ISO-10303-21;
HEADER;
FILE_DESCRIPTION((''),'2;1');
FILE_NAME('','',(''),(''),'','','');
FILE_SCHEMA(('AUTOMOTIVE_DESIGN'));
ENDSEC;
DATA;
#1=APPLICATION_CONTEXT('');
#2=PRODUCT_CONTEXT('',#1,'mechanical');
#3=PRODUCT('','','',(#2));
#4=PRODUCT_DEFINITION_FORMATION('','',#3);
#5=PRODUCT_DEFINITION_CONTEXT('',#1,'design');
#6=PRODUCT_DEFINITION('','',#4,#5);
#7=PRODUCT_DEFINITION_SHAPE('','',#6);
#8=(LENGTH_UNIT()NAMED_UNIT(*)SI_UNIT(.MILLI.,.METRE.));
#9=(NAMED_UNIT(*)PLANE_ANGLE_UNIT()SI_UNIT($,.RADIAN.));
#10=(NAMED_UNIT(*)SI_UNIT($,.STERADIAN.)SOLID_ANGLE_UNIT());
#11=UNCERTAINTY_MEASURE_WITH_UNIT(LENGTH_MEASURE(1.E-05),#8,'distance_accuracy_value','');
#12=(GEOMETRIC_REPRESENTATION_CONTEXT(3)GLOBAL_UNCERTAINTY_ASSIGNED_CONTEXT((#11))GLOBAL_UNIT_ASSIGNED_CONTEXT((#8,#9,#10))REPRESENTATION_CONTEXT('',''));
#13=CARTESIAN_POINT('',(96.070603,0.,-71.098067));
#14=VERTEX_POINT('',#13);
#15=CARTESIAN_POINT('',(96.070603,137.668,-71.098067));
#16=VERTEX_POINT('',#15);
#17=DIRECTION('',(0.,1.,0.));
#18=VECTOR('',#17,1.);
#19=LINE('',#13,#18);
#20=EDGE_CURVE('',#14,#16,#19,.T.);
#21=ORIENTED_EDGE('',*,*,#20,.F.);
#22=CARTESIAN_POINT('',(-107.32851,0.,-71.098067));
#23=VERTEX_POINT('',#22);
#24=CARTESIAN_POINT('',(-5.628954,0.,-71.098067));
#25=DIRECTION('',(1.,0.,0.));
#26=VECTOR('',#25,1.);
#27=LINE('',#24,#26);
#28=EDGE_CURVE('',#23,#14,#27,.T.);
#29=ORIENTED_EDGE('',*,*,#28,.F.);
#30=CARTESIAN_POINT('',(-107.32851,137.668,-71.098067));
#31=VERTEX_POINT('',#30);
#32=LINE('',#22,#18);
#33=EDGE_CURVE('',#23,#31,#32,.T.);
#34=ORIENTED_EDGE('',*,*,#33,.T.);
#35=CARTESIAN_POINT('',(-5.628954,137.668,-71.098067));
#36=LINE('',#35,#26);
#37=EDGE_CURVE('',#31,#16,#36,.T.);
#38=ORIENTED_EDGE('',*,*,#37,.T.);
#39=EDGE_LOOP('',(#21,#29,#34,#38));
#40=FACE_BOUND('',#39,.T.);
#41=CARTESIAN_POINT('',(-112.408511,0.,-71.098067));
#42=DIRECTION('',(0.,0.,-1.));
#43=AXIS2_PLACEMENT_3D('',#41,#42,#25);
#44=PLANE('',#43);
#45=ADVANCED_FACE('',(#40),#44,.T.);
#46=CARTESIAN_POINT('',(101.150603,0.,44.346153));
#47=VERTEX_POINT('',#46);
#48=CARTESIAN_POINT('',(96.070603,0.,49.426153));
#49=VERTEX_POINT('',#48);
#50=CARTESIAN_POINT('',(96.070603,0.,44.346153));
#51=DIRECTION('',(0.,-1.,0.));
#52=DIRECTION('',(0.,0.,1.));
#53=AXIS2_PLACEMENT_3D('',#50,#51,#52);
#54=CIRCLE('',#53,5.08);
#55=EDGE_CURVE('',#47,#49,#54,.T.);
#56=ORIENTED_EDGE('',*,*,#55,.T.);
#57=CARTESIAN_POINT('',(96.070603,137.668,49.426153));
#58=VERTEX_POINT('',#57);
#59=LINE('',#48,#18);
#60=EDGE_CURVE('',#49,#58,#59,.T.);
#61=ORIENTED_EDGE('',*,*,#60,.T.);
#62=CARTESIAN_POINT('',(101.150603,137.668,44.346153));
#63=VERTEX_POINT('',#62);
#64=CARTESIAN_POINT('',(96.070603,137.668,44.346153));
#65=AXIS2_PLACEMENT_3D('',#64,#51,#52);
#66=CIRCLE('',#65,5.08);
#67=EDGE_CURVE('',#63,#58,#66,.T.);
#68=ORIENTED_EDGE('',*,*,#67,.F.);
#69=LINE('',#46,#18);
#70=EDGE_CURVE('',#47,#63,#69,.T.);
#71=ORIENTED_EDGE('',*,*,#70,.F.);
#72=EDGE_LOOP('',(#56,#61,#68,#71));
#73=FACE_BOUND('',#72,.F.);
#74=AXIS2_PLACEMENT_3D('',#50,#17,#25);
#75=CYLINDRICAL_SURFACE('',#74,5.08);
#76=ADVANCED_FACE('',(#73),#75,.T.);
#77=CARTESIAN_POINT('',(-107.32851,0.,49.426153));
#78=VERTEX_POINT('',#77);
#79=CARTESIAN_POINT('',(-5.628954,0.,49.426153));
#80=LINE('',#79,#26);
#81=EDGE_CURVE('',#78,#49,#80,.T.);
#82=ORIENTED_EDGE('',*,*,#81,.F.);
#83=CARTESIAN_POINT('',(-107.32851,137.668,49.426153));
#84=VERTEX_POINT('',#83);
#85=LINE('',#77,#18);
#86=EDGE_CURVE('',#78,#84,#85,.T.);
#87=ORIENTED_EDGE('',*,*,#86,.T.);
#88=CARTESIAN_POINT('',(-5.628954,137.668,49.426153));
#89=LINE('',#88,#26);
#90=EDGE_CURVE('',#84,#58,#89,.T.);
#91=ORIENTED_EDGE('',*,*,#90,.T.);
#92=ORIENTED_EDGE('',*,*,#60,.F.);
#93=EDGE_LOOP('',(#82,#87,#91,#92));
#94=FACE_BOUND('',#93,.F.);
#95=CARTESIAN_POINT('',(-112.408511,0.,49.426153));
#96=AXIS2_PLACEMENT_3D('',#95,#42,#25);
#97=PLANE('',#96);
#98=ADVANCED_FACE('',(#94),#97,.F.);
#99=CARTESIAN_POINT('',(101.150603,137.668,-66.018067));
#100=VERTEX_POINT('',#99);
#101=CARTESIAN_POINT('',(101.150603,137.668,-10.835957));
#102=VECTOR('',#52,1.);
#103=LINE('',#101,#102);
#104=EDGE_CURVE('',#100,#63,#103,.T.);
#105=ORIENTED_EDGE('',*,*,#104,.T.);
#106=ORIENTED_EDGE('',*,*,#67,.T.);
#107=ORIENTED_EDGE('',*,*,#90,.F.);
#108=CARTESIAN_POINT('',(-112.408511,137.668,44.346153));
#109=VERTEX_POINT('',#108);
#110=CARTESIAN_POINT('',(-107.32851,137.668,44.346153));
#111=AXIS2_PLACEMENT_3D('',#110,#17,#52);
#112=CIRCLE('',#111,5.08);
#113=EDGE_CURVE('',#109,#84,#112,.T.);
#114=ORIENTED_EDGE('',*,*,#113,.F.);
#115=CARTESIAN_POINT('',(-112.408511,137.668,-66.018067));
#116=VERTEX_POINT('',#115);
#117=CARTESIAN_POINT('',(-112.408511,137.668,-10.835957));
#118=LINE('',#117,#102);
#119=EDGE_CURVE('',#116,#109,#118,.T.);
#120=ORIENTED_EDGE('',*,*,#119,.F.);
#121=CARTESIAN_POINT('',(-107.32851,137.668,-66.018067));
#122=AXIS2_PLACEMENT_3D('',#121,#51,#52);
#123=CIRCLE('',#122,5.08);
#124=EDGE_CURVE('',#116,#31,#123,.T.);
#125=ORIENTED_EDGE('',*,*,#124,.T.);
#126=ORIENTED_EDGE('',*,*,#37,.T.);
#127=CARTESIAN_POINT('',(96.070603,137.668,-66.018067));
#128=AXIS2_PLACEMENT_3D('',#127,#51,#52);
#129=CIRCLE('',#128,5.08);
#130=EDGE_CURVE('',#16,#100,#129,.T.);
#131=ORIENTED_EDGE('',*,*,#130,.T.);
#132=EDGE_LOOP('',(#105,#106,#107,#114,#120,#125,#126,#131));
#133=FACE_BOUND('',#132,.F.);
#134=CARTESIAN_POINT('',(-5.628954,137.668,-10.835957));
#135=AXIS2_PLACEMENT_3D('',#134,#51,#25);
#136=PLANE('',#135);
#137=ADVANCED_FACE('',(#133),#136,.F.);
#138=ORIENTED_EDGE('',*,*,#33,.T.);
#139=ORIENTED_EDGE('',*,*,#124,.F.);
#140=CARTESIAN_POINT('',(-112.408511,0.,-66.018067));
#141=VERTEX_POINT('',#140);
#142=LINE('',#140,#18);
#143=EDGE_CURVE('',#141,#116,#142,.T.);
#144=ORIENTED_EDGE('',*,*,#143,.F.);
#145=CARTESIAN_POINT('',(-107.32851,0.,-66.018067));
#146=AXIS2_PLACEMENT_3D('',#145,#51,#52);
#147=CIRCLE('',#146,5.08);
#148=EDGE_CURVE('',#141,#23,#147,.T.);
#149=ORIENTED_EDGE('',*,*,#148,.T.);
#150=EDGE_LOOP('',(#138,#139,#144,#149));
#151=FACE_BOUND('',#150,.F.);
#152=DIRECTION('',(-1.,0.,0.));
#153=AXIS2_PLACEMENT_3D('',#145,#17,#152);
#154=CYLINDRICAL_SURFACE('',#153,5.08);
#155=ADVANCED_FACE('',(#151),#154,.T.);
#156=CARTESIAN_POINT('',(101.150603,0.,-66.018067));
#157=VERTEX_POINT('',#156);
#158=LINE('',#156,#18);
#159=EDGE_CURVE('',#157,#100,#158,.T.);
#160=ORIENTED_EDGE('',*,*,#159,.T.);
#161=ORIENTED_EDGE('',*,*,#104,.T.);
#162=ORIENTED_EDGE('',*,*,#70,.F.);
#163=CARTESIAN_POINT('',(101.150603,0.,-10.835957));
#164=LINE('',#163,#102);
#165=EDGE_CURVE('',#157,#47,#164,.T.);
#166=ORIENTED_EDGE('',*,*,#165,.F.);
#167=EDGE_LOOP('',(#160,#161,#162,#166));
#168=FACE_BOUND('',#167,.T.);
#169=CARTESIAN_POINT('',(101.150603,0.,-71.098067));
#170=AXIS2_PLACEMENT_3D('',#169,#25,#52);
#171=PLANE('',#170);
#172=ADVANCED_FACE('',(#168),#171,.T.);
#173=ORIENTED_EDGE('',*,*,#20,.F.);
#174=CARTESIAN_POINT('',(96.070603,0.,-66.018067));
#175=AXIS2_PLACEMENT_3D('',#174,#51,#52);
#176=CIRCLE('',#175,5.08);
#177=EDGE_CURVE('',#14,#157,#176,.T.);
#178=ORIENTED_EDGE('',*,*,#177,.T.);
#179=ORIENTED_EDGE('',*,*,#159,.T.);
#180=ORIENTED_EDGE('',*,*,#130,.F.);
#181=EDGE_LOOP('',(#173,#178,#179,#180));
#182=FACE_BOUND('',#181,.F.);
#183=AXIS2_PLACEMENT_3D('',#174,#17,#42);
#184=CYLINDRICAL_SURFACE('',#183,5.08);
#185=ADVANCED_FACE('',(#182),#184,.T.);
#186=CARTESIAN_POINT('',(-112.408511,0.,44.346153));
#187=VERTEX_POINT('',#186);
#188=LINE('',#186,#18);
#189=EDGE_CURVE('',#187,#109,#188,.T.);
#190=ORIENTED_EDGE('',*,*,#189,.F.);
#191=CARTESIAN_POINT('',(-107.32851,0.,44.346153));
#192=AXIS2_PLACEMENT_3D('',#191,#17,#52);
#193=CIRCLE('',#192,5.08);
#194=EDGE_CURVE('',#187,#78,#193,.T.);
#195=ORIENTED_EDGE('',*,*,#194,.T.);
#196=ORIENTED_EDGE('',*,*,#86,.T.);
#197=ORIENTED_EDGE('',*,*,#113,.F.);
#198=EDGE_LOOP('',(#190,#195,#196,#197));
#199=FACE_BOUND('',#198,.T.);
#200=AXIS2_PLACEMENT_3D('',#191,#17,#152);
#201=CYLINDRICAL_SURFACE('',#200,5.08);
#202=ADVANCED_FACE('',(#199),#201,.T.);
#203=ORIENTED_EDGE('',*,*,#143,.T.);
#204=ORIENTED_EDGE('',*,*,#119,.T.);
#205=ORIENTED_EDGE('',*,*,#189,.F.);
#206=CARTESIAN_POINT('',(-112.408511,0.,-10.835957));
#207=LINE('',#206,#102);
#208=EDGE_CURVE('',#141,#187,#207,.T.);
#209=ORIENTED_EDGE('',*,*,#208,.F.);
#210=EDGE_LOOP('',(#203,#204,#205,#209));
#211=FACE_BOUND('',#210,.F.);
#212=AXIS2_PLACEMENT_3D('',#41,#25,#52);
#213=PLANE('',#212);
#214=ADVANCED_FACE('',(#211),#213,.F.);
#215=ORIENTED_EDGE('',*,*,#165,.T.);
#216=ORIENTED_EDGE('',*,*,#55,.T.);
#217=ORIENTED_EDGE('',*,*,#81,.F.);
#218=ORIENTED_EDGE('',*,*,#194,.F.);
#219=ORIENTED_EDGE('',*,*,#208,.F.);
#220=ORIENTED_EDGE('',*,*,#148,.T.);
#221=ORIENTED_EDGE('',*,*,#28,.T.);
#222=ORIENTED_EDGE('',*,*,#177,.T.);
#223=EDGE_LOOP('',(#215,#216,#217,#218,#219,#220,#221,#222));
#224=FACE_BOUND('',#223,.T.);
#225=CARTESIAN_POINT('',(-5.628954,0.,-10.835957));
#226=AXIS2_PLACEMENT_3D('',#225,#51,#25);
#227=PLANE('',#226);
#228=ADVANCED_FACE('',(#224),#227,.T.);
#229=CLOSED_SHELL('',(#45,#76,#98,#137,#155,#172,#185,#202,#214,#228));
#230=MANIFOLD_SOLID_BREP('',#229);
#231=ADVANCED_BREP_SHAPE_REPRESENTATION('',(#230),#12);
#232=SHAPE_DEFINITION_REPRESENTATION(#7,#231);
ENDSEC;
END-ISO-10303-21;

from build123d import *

# Parameters (mm, degrees)
F0_W     = 213.559113
F0_H     = 120.52422
F1_DEPTH = 137.668
F2_R     = 5.08


with BuildPart() as f1:
    # F0 (on Front) → F1 (new body)
    with BuildSketch(Plane.XZ):
        with Locations((-5.628954, -10.835957)):
            Rectangle(F0_W, F0_H)
    extrude(amount=-F1_DEPTH)

    # F2
    f2_edges = [f1.edges().sort_by_distance(p)[0] for p in [
        (101.150602, 68.834, 49.426153),
        (101.150602, 68.834, -71.098067),
        (-112.408511, 68.834, 49.426153),
        (-112.408511, 68.834, -71.098067),
    ]]
    fillet(f2_edges, radius=F2_R)


solid = f1.part
